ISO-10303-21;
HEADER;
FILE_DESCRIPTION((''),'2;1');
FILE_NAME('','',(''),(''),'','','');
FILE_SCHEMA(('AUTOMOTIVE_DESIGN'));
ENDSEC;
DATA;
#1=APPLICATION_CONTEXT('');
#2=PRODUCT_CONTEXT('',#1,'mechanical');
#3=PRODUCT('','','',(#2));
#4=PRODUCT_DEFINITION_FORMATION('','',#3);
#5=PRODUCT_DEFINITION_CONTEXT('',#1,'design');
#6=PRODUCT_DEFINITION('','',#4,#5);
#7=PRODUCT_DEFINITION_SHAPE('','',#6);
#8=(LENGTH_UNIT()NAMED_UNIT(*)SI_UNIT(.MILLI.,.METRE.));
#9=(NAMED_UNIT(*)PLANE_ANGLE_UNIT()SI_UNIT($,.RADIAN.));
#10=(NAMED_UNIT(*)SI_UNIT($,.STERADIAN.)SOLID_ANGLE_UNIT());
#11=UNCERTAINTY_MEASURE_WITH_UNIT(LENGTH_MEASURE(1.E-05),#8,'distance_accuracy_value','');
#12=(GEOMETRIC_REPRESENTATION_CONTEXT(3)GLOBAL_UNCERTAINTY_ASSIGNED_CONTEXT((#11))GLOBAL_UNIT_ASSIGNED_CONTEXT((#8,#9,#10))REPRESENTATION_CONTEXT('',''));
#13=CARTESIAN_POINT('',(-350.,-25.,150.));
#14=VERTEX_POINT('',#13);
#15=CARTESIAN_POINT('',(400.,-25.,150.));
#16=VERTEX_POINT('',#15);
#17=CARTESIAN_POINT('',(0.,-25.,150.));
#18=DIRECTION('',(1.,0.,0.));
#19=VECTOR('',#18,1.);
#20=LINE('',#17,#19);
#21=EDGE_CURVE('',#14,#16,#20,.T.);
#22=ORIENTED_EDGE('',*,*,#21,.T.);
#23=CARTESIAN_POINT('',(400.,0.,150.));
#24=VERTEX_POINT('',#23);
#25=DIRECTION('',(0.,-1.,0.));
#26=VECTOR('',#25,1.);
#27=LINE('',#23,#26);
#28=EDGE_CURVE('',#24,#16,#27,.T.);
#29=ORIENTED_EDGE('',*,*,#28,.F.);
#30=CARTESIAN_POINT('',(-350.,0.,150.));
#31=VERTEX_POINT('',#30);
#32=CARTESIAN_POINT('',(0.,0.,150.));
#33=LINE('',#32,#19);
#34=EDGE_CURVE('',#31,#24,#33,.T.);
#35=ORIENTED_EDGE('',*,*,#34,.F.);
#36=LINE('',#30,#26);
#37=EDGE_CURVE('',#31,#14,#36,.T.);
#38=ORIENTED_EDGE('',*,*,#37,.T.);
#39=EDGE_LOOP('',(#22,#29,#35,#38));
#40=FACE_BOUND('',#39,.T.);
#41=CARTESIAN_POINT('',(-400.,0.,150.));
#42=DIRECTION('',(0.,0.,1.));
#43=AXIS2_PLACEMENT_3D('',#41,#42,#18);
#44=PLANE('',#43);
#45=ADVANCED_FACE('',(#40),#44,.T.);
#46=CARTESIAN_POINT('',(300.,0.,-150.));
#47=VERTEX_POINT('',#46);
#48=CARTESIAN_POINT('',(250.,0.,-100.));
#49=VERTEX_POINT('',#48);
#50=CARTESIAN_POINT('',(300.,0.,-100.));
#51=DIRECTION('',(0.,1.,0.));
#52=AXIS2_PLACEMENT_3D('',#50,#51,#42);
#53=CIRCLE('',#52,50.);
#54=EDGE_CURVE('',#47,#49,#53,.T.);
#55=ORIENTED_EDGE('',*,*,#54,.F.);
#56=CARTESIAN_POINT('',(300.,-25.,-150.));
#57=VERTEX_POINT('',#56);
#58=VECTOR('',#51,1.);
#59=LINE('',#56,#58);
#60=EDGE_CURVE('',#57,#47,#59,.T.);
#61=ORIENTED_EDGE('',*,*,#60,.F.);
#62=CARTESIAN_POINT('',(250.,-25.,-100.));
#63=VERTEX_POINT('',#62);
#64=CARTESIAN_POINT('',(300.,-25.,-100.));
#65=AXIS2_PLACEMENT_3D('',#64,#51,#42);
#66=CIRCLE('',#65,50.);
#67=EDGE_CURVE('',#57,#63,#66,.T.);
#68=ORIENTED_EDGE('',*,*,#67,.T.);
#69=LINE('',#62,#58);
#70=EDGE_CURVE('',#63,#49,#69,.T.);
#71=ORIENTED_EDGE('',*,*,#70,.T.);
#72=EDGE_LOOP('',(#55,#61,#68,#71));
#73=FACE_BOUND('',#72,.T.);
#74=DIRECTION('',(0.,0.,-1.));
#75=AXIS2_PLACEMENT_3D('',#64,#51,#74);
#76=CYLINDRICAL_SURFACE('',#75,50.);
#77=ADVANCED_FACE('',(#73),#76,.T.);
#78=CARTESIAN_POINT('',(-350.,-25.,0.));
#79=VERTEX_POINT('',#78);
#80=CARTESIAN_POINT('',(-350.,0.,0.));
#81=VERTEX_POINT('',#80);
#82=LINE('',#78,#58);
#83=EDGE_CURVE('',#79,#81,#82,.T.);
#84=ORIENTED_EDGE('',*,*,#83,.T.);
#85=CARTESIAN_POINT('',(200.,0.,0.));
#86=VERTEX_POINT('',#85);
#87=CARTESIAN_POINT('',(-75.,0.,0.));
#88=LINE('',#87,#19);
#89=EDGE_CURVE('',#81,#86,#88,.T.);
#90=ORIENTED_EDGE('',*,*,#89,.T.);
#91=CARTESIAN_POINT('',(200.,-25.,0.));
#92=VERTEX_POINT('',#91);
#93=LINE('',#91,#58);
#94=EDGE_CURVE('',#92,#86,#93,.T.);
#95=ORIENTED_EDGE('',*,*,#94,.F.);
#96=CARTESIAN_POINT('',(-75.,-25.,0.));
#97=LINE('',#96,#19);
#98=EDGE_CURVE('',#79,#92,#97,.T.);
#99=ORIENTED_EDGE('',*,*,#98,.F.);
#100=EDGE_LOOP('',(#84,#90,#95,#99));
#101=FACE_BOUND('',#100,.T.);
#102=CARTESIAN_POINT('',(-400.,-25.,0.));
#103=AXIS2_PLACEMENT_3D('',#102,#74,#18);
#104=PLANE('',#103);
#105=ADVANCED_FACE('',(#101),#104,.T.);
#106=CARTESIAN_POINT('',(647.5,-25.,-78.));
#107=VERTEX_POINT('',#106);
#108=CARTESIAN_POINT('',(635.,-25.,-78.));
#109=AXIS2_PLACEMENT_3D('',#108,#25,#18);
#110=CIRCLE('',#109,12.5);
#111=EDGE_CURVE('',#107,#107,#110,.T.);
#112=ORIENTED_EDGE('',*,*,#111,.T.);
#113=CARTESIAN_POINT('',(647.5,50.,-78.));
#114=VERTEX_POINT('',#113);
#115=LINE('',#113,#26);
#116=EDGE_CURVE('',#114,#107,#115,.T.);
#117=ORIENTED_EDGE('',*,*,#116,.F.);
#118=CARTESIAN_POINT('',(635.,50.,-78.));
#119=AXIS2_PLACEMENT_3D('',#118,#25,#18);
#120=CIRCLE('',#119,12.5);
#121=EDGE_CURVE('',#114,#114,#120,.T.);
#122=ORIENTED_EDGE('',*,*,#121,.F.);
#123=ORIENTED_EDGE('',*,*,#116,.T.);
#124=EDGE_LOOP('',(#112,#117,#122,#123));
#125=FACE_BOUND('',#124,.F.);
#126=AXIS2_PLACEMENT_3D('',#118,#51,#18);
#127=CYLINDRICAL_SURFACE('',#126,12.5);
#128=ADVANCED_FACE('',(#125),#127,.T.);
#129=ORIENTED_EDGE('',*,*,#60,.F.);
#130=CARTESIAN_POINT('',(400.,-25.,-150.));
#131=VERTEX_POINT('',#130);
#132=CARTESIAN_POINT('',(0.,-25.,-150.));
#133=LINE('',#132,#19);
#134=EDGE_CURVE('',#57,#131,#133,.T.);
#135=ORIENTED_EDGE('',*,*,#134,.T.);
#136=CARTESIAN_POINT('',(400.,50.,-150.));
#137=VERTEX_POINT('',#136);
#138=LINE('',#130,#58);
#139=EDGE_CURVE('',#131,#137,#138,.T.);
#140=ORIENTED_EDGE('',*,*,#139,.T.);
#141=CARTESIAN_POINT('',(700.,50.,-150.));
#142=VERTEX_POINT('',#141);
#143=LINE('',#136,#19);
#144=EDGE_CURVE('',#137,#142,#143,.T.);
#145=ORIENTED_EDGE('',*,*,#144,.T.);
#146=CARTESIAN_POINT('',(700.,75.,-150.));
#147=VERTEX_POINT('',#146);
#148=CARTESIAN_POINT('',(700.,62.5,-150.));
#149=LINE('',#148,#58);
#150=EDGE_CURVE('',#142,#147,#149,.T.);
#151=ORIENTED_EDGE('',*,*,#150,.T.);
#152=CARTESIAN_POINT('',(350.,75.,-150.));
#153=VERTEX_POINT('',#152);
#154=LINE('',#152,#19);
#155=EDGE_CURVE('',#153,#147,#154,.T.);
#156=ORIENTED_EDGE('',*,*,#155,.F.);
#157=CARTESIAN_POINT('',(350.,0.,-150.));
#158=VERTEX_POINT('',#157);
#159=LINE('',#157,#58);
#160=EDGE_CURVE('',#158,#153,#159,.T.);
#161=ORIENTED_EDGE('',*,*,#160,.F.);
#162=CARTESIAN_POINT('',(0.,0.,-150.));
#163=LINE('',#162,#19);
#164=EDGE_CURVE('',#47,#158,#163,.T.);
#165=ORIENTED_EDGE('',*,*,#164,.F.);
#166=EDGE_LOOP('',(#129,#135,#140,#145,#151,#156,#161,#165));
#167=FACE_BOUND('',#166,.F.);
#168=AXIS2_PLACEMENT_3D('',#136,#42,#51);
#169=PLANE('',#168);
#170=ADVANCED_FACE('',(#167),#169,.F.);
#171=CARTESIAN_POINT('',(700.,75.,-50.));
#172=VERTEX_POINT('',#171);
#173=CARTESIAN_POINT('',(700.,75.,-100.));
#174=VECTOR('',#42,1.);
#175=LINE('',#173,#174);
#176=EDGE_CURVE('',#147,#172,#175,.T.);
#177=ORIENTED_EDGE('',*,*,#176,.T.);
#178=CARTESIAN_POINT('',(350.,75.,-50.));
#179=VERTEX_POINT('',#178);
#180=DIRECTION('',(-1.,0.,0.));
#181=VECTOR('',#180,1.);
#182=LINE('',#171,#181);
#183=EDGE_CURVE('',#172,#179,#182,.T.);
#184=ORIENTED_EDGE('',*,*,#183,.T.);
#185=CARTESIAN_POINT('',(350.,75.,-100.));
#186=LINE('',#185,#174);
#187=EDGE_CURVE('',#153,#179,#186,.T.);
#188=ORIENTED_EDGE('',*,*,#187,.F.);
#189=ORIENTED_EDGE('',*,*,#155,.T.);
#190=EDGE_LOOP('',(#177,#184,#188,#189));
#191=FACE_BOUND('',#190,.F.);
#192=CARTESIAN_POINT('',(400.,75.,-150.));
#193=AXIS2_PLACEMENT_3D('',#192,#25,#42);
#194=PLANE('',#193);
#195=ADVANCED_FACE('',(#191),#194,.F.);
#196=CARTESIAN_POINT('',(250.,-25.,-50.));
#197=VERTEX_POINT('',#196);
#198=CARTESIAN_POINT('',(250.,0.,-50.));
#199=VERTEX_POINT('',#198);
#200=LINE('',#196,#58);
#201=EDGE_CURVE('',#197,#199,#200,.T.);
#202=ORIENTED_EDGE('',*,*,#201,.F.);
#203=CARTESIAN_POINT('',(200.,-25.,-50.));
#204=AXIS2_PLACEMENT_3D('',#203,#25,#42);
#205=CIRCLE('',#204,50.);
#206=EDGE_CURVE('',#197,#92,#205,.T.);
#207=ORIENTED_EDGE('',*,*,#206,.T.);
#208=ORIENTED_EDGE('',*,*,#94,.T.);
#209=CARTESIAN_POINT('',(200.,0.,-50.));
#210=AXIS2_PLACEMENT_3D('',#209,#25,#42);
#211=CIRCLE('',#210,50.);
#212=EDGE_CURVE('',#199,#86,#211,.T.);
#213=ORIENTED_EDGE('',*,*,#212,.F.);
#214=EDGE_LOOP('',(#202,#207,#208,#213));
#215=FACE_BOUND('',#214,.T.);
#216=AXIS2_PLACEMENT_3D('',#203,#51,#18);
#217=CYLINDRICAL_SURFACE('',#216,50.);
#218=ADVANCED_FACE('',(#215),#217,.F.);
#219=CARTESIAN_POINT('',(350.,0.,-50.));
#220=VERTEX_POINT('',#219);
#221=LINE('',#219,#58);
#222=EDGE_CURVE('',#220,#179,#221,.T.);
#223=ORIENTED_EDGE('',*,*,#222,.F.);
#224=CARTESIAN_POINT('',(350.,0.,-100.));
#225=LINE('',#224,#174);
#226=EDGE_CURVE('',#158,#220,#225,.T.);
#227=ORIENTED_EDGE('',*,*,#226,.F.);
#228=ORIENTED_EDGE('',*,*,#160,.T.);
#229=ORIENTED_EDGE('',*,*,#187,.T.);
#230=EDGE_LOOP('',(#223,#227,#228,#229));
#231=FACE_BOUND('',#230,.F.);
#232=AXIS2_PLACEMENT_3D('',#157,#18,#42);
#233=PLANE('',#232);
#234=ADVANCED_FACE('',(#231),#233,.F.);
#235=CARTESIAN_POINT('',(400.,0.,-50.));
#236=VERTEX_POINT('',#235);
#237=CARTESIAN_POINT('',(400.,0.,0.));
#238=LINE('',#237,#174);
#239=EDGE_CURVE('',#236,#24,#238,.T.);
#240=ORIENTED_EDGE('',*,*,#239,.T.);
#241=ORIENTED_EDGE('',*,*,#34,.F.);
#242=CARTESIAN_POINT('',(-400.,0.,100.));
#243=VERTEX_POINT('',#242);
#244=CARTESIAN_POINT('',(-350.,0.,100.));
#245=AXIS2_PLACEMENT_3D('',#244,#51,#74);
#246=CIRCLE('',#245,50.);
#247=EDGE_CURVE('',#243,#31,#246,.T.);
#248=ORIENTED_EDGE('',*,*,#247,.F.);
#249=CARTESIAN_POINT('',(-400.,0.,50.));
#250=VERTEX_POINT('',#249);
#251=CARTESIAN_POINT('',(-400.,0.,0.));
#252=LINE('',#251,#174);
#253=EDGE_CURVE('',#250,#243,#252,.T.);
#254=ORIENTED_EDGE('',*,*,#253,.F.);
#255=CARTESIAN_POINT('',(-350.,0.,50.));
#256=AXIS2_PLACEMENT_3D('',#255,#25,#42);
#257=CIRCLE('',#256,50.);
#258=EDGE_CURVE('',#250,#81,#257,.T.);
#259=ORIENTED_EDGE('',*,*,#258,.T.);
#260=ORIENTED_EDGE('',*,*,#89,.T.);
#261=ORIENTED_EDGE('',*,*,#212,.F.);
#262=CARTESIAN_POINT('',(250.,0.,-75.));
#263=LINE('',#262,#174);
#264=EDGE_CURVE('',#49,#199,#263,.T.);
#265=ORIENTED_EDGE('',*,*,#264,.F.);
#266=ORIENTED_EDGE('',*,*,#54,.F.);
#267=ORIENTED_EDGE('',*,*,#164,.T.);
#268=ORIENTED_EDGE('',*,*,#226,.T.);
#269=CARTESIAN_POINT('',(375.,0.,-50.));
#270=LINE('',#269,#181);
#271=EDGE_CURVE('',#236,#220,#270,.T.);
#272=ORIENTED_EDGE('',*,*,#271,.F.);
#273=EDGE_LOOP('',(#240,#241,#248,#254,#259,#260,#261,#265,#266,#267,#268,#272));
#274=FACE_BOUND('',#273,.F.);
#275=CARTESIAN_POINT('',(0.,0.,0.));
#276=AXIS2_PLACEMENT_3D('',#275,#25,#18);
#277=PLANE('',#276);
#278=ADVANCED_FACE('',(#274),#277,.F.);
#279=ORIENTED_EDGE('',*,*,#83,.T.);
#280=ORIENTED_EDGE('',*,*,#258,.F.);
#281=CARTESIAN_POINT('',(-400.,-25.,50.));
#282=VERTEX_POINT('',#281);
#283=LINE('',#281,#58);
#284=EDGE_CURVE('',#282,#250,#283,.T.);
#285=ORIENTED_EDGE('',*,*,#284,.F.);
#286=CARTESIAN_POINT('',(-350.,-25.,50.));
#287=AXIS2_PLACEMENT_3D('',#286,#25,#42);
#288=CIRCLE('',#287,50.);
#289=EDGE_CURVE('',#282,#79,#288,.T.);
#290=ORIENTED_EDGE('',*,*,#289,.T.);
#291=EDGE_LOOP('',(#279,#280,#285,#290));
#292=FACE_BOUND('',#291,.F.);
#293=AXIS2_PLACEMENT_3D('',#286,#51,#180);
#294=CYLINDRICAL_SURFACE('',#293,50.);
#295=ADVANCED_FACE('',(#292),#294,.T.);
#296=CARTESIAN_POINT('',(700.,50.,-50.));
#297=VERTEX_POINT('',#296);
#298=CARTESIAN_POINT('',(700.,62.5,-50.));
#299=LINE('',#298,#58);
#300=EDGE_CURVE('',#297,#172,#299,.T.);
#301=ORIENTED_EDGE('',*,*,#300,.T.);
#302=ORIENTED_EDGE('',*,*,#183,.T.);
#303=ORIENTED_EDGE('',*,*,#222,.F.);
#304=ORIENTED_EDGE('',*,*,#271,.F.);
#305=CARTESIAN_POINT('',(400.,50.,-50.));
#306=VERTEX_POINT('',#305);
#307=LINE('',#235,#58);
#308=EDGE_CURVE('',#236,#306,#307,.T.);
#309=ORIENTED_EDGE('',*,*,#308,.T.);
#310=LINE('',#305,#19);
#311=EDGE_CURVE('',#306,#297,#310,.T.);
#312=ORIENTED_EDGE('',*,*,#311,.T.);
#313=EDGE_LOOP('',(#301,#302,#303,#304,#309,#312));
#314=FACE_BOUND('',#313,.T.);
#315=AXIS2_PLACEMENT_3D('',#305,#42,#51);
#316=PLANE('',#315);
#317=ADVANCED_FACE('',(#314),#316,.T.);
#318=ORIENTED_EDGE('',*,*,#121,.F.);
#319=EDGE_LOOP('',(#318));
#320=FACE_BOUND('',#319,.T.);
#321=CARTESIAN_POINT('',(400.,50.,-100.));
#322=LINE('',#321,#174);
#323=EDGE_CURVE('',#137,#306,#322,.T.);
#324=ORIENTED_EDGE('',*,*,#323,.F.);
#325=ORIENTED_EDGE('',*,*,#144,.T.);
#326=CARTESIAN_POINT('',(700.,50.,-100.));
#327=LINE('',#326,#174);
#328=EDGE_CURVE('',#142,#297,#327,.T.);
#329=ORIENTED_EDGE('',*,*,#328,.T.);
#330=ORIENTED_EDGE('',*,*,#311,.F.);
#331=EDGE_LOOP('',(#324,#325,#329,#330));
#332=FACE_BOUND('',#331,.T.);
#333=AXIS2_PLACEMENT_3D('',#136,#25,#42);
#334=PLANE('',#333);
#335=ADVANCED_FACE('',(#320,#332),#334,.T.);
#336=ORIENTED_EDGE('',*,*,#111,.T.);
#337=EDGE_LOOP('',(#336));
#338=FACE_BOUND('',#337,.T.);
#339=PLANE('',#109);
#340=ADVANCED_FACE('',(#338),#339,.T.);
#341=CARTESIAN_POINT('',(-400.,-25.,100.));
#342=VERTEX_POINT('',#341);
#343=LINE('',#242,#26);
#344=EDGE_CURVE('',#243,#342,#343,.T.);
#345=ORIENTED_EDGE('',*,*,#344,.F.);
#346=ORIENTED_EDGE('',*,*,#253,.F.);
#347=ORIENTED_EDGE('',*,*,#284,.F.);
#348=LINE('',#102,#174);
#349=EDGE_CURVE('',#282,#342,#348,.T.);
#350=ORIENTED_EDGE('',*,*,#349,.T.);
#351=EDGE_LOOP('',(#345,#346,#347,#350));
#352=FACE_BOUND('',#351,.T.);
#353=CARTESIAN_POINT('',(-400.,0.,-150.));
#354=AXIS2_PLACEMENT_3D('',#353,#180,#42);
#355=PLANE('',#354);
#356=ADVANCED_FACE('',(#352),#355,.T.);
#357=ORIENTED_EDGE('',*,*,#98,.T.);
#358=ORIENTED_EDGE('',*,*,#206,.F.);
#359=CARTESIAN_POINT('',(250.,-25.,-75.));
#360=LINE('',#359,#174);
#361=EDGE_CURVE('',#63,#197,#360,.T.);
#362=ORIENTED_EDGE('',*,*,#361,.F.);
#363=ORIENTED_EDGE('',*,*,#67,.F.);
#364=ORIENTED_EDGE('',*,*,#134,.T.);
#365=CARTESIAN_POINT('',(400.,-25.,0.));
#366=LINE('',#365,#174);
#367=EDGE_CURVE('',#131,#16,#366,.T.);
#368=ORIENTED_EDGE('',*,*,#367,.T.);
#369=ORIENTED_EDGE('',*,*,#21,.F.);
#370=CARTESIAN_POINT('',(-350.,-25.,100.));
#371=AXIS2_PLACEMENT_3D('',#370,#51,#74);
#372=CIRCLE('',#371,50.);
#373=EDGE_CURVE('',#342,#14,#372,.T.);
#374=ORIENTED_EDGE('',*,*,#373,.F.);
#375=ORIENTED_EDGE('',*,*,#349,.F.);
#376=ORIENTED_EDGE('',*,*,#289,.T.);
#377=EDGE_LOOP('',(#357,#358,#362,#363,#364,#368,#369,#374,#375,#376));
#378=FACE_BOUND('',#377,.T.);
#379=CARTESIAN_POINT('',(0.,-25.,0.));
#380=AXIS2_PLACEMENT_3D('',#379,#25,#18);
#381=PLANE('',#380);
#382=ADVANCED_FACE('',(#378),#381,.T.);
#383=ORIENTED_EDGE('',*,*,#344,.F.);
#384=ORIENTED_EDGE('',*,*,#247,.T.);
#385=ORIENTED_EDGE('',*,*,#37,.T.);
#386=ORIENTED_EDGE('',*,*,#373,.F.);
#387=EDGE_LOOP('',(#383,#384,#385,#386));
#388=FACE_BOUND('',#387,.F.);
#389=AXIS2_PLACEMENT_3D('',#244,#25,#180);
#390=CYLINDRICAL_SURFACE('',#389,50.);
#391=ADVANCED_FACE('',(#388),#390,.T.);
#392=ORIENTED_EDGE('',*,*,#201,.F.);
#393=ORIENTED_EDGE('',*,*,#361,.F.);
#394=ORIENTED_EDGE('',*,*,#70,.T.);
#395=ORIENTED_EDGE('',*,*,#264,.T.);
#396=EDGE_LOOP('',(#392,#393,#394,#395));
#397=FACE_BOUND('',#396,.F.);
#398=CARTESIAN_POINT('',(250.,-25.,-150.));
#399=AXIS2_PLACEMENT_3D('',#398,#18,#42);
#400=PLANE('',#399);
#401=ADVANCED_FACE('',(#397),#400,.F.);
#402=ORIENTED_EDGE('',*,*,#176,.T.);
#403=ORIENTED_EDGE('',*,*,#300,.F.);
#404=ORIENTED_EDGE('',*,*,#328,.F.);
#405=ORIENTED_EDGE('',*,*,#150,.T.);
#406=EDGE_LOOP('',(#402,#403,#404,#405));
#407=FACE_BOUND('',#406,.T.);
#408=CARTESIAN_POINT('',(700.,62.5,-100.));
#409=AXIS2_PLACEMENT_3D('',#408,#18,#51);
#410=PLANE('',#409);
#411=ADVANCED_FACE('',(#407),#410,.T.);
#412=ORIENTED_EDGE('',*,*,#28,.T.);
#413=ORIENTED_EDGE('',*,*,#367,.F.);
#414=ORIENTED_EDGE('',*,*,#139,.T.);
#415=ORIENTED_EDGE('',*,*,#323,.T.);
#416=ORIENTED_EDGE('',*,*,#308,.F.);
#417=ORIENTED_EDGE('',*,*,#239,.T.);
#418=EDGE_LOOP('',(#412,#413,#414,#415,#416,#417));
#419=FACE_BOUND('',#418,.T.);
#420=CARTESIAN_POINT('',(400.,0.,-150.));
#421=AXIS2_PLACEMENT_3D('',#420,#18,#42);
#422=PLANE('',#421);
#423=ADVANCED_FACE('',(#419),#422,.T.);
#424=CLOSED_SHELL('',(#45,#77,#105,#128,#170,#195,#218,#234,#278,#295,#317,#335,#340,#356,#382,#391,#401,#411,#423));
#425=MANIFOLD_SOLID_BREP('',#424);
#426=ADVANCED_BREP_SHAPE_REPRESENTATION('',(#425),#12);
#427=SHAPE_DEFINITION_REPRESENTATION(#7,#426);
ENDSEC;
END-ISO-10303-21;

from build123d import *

# Parameters (mm, degrees)
F0_W     = 800
F0_H     = 300
F1_DEPTH = 25
F2_W     = 50
F2_H     = 100
F3_DEPTH = 75
F4_W     = 25
F4_H     = 100
F5_DEPTH = 300
F6_R     = 12.5
F7_DEPTH = 75
F8_W     = 650
F8_H     = 150
F9_DEPTH = 25
F10_R    = 50
F11_R    = 50


with BuildPart() as f1:
    # F0 (on Front) → F1 (new body)
    with BuildSketch(Plane.XZ):
        Rectangle(F0_W, F0_H)
    extrude(amount=F1_DEPTH)

    # F2 (on face) → F3 (join)
    with BuildSketch(Plane(origin=(0, 0, 0), x_dir=(-1, 0, 0), z_dir=(0, 1, 0))):
        with Locations((-375, -100)):
            Rectangle(F2_W, F2_H)
    extrude(amount=F3_DEPTH)

    # F4 (on face) → F5 (join)
    with BuildSketch(Plane.YZ.offset(400)):
        with Locations((62.5, -100)):
            Rectangle(F4_W, F4_H)
    extrude(amount=F5_DEPTH)

    # F6 (on face) → F7 (join)
    with BuildSketch(Plane.XZ.offset(-50)):
        with Locations((635, -78)):
            Circle(F6_R)
    extrude(amount=F7_DEPTH)

    # F8 (on face) → F9 (cut)
    with BuildSketch(Plane.XZ.offset(25)):
        with Locations((-75, -75)):
            Rectangle(F8_W, F8_H)
    extrude(amount=-F9_DEPTH, mode=Mode.SUBTRACT)

    # F10
    f10_edges = [f1.edges().sort_by_distance(p)[0] for p in [
        (-400, -12.5, 0),
        (250, -12.5, 0),
        (250, -12.5, -150),
    ]]
    fillet(f10_edges, radius=F10_R)

    # F11
    f11_edges = [f1.edges().sort_by_distance(p)[0] for p in [
        (-400, -12.5, 150),
    ]]
    fillet(f11_edges, radius=F11_R)


solid = f1.part
